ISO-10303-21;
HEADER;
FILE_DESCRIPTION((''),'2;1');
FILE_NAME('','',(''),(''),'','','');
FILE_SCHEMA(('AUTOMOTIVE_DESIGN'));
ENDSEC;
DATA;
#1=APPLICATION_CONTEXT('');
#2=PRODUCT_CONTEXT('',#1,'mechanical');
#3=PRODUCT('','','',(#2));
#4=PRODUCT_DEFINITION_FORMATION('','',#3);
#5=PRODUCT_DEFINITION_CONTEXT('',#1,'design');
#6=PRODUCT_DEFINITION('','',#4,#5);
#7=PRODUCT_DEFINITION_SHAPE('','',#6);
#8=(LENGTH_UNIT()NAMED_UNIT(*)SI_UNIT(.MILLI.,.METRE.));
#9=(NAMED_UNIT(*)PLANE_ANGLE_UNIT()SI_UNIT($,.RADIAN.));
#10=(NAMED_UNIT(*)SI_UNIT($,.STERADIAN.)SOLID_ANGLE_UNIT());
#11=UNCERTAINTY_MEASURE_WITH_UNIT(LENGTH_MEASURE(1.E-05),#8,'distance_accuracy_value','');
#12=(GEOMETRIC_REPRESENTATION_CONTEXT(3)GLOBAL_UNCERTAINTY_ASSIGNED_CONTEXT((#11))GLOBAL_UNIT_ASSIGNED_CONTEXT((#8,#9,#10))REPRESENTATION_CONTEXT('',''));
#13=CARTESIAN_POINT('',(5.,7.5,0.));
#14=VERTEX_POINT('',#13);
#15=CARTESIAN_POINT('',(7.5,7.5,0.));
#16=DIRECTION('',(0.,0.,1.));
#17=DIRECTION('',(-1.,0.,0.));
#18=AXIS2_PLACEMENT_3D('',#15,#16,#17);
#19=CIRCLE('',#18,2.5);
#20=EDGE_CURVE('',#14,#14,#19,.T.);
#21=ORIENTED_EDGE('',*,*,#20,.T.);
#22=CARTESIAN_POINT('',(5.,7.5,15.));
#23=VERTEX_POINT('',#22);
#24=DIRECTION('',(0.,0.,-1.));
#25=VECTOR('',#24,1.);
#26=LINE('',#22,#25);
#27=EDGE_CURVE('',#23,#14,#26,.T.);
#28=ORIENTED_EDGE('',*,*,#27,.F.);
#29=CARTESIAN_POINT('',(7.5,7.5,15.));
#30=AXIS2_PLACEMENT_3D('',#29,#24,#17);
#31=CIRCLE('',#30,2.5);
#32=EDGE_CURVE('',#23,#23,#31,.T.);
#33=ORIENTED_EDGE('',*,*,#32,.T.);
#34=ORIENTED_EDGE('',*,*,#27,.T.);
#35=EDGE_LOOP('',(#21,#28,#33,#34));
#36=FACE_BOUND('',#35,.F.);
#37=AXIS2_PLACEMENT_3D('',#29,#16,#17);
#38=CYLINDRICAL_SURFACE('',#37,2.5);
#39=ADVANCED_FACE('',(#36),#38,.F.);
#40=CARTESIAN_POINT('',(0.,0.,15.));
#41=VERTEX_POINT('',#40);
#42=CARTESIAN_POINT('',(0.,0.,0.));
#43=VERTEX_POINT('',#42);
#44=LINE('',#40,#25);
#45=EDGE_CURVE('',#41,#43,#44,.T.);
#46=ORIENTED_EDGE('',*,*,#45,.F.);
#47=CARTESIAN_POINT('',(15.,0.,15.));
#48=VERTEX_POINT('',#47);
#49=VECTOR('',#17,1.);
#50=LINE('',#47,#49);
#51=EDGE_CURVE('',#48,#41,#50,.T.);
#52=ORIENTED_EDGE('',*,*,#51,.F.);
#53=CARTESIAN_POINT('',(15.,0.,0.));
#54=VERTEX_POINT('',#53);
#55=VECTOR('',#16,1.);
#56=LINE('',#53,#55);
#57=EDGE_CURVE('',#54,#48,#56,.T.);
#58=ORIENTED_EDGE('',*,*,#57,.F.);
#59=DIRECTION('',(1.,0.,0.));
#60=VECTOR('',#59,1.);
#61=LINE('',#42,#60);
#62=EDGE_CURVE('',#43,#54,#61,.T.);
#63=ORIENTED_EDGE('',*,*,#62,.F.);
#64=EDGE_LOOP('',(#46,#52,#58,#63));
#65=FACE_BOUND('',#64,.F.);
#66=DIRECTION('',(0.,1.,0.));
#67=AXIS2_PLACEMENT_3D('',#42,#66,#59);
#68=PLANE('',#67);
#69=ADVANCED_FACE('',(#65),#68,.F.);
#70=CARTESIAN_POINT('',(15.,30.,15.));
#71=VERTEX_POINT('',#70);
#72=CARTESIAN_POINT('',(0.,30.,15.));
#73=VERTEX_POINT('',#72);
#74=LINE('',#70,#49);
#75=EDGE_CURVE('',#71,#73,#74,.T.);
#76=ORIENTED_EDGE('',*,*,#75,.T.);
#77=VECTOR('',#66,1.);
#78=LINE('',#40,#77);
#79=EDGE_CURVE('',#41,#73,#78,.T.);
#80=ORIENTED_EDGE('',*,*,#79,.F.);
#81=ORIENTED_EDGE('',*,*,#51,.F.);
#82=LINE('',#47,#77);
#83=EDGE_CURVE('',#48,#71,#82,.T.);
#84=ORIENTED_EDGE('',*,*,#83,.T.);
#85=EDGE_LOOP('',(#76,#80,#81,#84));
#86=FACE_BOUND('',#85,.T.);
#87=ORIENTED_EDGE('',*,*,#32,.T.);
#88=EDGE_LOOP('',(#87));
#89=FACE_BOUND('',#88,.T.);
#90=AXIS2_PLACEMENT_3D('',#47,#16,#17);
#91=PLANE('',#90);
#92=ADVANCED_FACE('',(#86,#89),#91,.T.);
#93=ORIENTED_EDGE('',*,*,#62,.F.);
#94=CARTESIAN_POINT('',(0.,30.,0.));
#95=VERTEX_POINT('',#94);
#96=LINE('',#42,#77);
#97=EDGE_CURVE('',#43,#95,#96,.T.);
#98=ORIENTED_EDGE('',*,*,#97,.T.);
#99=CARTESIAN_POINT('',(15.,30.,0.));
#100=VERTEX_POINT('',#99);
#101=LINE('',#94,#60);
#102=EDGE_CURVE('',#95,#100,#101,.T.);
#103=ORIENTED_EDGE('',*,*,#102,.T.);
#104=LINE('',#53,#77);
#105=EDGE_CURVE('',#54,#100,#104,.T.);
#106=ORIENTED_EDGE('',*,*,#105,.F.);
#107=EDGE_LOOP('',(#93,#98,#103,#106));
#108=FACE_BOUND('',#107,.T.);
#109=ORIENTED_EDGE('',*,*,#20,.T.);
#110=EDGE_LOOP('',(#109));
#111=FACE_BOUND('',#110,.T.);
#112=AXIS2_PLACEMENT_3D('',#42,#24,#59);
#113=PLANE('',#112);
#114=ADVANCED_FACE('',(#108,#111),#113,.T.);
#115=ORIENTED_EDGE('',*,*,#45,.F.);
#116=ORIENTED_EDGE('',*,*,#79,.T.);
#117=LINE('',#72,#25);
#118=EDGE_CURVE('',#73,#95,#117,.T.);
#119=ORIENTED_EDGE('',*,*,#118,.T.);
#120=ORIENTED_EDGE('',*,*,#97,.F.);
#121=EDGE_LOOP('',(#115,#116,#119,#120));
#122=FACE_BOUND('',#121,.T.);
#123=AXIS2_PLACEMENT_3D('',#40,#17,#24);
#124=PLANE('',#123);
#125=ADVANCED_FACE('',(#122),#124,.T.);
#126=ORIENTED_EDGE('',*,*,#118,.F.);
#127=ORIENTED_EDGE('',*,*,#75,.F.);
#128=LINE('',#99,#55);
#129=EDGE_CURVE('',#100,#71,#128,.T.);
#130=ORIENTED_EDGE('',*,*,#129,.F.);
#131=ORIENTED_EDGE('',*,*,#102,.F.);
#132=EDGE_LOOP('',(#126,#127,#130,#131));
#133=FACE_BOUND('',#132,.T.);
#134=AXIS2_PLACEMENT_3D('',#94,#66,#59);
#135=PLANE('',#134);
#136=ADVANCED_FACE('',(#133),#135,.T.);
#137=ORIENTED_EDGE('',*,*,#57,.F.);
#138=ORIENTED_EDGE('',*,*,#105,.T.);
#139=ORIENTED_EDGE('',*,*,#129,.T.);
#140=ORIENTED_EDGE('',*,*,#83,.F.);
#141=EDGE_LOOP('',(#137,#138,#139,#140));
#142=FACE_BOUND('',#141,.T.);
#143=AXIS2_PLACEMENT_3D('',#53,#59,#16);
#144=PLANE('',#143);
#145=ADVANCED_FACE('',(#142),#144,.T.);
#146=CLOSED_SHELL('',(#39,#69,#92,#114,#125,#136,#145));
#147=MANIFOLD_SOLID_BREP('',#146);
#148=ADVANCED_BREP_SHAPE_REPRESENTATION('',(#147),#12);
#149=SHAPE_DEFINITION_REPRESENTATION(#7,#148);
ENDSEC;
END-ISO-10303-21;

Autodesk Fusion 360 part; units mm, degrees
sketch "Sketch1" plane through (0, 0, 0) normal (0, 1, 0) x (1, 0, 0)
  line L0 (0, 0) -> (15, 0)
  line L1 (15, 0) -> (15, -15)
  line L2 (15, -15) -> (0, -15)
  line L3 (0, -15) -> (0, 0)
  dimension "d1" = 15
  dimension "d2" = 15
extrude "Extrude1" add sketch "Sketch1" along normal blind 30
sketch "Sketch3" plane through (0, 0, 15) normal (0, 0, 1) x (-1, 0, 0)
  line L0 (0, 0) -> (-15, 0)
  line L1 (-15, 0) -> (-15, -30)
  line L2 (-15, -30) -> (0, -30)
  line L3 (0, -30) -> (0, 0)
  line L4 (0, 0) -> (-9.4343, 0)
  line L5 (-9.4343, 0) -> (-9.4343, -2.5)
  line L6 (-9.4343, -2.5) -> (0, -2.5)
  line L7 (0, -2.5) -> (0, 0)
  line L8 (0, 0) -> (-7.5, 0)
  line L9 (-7.5, 0) -> (-7.5, -11.3998)
  line L10 (-7.5, -11.3998) -> (-7.5, -2.5)
  line L11 (-7.5, -2.5) -> (-7.5, -7.5)
  circle A0 centre (-7.5, -7.5) radius 2.5
  dimension "d13" = 2.5
  dimension "d14" = 5
  dimension "d15" = 5
extrude "Extrude3" cut sketch "Sketch3" against normal blind 34 contours L9 L10 L11 A0 | L9 L10 L11 A0
